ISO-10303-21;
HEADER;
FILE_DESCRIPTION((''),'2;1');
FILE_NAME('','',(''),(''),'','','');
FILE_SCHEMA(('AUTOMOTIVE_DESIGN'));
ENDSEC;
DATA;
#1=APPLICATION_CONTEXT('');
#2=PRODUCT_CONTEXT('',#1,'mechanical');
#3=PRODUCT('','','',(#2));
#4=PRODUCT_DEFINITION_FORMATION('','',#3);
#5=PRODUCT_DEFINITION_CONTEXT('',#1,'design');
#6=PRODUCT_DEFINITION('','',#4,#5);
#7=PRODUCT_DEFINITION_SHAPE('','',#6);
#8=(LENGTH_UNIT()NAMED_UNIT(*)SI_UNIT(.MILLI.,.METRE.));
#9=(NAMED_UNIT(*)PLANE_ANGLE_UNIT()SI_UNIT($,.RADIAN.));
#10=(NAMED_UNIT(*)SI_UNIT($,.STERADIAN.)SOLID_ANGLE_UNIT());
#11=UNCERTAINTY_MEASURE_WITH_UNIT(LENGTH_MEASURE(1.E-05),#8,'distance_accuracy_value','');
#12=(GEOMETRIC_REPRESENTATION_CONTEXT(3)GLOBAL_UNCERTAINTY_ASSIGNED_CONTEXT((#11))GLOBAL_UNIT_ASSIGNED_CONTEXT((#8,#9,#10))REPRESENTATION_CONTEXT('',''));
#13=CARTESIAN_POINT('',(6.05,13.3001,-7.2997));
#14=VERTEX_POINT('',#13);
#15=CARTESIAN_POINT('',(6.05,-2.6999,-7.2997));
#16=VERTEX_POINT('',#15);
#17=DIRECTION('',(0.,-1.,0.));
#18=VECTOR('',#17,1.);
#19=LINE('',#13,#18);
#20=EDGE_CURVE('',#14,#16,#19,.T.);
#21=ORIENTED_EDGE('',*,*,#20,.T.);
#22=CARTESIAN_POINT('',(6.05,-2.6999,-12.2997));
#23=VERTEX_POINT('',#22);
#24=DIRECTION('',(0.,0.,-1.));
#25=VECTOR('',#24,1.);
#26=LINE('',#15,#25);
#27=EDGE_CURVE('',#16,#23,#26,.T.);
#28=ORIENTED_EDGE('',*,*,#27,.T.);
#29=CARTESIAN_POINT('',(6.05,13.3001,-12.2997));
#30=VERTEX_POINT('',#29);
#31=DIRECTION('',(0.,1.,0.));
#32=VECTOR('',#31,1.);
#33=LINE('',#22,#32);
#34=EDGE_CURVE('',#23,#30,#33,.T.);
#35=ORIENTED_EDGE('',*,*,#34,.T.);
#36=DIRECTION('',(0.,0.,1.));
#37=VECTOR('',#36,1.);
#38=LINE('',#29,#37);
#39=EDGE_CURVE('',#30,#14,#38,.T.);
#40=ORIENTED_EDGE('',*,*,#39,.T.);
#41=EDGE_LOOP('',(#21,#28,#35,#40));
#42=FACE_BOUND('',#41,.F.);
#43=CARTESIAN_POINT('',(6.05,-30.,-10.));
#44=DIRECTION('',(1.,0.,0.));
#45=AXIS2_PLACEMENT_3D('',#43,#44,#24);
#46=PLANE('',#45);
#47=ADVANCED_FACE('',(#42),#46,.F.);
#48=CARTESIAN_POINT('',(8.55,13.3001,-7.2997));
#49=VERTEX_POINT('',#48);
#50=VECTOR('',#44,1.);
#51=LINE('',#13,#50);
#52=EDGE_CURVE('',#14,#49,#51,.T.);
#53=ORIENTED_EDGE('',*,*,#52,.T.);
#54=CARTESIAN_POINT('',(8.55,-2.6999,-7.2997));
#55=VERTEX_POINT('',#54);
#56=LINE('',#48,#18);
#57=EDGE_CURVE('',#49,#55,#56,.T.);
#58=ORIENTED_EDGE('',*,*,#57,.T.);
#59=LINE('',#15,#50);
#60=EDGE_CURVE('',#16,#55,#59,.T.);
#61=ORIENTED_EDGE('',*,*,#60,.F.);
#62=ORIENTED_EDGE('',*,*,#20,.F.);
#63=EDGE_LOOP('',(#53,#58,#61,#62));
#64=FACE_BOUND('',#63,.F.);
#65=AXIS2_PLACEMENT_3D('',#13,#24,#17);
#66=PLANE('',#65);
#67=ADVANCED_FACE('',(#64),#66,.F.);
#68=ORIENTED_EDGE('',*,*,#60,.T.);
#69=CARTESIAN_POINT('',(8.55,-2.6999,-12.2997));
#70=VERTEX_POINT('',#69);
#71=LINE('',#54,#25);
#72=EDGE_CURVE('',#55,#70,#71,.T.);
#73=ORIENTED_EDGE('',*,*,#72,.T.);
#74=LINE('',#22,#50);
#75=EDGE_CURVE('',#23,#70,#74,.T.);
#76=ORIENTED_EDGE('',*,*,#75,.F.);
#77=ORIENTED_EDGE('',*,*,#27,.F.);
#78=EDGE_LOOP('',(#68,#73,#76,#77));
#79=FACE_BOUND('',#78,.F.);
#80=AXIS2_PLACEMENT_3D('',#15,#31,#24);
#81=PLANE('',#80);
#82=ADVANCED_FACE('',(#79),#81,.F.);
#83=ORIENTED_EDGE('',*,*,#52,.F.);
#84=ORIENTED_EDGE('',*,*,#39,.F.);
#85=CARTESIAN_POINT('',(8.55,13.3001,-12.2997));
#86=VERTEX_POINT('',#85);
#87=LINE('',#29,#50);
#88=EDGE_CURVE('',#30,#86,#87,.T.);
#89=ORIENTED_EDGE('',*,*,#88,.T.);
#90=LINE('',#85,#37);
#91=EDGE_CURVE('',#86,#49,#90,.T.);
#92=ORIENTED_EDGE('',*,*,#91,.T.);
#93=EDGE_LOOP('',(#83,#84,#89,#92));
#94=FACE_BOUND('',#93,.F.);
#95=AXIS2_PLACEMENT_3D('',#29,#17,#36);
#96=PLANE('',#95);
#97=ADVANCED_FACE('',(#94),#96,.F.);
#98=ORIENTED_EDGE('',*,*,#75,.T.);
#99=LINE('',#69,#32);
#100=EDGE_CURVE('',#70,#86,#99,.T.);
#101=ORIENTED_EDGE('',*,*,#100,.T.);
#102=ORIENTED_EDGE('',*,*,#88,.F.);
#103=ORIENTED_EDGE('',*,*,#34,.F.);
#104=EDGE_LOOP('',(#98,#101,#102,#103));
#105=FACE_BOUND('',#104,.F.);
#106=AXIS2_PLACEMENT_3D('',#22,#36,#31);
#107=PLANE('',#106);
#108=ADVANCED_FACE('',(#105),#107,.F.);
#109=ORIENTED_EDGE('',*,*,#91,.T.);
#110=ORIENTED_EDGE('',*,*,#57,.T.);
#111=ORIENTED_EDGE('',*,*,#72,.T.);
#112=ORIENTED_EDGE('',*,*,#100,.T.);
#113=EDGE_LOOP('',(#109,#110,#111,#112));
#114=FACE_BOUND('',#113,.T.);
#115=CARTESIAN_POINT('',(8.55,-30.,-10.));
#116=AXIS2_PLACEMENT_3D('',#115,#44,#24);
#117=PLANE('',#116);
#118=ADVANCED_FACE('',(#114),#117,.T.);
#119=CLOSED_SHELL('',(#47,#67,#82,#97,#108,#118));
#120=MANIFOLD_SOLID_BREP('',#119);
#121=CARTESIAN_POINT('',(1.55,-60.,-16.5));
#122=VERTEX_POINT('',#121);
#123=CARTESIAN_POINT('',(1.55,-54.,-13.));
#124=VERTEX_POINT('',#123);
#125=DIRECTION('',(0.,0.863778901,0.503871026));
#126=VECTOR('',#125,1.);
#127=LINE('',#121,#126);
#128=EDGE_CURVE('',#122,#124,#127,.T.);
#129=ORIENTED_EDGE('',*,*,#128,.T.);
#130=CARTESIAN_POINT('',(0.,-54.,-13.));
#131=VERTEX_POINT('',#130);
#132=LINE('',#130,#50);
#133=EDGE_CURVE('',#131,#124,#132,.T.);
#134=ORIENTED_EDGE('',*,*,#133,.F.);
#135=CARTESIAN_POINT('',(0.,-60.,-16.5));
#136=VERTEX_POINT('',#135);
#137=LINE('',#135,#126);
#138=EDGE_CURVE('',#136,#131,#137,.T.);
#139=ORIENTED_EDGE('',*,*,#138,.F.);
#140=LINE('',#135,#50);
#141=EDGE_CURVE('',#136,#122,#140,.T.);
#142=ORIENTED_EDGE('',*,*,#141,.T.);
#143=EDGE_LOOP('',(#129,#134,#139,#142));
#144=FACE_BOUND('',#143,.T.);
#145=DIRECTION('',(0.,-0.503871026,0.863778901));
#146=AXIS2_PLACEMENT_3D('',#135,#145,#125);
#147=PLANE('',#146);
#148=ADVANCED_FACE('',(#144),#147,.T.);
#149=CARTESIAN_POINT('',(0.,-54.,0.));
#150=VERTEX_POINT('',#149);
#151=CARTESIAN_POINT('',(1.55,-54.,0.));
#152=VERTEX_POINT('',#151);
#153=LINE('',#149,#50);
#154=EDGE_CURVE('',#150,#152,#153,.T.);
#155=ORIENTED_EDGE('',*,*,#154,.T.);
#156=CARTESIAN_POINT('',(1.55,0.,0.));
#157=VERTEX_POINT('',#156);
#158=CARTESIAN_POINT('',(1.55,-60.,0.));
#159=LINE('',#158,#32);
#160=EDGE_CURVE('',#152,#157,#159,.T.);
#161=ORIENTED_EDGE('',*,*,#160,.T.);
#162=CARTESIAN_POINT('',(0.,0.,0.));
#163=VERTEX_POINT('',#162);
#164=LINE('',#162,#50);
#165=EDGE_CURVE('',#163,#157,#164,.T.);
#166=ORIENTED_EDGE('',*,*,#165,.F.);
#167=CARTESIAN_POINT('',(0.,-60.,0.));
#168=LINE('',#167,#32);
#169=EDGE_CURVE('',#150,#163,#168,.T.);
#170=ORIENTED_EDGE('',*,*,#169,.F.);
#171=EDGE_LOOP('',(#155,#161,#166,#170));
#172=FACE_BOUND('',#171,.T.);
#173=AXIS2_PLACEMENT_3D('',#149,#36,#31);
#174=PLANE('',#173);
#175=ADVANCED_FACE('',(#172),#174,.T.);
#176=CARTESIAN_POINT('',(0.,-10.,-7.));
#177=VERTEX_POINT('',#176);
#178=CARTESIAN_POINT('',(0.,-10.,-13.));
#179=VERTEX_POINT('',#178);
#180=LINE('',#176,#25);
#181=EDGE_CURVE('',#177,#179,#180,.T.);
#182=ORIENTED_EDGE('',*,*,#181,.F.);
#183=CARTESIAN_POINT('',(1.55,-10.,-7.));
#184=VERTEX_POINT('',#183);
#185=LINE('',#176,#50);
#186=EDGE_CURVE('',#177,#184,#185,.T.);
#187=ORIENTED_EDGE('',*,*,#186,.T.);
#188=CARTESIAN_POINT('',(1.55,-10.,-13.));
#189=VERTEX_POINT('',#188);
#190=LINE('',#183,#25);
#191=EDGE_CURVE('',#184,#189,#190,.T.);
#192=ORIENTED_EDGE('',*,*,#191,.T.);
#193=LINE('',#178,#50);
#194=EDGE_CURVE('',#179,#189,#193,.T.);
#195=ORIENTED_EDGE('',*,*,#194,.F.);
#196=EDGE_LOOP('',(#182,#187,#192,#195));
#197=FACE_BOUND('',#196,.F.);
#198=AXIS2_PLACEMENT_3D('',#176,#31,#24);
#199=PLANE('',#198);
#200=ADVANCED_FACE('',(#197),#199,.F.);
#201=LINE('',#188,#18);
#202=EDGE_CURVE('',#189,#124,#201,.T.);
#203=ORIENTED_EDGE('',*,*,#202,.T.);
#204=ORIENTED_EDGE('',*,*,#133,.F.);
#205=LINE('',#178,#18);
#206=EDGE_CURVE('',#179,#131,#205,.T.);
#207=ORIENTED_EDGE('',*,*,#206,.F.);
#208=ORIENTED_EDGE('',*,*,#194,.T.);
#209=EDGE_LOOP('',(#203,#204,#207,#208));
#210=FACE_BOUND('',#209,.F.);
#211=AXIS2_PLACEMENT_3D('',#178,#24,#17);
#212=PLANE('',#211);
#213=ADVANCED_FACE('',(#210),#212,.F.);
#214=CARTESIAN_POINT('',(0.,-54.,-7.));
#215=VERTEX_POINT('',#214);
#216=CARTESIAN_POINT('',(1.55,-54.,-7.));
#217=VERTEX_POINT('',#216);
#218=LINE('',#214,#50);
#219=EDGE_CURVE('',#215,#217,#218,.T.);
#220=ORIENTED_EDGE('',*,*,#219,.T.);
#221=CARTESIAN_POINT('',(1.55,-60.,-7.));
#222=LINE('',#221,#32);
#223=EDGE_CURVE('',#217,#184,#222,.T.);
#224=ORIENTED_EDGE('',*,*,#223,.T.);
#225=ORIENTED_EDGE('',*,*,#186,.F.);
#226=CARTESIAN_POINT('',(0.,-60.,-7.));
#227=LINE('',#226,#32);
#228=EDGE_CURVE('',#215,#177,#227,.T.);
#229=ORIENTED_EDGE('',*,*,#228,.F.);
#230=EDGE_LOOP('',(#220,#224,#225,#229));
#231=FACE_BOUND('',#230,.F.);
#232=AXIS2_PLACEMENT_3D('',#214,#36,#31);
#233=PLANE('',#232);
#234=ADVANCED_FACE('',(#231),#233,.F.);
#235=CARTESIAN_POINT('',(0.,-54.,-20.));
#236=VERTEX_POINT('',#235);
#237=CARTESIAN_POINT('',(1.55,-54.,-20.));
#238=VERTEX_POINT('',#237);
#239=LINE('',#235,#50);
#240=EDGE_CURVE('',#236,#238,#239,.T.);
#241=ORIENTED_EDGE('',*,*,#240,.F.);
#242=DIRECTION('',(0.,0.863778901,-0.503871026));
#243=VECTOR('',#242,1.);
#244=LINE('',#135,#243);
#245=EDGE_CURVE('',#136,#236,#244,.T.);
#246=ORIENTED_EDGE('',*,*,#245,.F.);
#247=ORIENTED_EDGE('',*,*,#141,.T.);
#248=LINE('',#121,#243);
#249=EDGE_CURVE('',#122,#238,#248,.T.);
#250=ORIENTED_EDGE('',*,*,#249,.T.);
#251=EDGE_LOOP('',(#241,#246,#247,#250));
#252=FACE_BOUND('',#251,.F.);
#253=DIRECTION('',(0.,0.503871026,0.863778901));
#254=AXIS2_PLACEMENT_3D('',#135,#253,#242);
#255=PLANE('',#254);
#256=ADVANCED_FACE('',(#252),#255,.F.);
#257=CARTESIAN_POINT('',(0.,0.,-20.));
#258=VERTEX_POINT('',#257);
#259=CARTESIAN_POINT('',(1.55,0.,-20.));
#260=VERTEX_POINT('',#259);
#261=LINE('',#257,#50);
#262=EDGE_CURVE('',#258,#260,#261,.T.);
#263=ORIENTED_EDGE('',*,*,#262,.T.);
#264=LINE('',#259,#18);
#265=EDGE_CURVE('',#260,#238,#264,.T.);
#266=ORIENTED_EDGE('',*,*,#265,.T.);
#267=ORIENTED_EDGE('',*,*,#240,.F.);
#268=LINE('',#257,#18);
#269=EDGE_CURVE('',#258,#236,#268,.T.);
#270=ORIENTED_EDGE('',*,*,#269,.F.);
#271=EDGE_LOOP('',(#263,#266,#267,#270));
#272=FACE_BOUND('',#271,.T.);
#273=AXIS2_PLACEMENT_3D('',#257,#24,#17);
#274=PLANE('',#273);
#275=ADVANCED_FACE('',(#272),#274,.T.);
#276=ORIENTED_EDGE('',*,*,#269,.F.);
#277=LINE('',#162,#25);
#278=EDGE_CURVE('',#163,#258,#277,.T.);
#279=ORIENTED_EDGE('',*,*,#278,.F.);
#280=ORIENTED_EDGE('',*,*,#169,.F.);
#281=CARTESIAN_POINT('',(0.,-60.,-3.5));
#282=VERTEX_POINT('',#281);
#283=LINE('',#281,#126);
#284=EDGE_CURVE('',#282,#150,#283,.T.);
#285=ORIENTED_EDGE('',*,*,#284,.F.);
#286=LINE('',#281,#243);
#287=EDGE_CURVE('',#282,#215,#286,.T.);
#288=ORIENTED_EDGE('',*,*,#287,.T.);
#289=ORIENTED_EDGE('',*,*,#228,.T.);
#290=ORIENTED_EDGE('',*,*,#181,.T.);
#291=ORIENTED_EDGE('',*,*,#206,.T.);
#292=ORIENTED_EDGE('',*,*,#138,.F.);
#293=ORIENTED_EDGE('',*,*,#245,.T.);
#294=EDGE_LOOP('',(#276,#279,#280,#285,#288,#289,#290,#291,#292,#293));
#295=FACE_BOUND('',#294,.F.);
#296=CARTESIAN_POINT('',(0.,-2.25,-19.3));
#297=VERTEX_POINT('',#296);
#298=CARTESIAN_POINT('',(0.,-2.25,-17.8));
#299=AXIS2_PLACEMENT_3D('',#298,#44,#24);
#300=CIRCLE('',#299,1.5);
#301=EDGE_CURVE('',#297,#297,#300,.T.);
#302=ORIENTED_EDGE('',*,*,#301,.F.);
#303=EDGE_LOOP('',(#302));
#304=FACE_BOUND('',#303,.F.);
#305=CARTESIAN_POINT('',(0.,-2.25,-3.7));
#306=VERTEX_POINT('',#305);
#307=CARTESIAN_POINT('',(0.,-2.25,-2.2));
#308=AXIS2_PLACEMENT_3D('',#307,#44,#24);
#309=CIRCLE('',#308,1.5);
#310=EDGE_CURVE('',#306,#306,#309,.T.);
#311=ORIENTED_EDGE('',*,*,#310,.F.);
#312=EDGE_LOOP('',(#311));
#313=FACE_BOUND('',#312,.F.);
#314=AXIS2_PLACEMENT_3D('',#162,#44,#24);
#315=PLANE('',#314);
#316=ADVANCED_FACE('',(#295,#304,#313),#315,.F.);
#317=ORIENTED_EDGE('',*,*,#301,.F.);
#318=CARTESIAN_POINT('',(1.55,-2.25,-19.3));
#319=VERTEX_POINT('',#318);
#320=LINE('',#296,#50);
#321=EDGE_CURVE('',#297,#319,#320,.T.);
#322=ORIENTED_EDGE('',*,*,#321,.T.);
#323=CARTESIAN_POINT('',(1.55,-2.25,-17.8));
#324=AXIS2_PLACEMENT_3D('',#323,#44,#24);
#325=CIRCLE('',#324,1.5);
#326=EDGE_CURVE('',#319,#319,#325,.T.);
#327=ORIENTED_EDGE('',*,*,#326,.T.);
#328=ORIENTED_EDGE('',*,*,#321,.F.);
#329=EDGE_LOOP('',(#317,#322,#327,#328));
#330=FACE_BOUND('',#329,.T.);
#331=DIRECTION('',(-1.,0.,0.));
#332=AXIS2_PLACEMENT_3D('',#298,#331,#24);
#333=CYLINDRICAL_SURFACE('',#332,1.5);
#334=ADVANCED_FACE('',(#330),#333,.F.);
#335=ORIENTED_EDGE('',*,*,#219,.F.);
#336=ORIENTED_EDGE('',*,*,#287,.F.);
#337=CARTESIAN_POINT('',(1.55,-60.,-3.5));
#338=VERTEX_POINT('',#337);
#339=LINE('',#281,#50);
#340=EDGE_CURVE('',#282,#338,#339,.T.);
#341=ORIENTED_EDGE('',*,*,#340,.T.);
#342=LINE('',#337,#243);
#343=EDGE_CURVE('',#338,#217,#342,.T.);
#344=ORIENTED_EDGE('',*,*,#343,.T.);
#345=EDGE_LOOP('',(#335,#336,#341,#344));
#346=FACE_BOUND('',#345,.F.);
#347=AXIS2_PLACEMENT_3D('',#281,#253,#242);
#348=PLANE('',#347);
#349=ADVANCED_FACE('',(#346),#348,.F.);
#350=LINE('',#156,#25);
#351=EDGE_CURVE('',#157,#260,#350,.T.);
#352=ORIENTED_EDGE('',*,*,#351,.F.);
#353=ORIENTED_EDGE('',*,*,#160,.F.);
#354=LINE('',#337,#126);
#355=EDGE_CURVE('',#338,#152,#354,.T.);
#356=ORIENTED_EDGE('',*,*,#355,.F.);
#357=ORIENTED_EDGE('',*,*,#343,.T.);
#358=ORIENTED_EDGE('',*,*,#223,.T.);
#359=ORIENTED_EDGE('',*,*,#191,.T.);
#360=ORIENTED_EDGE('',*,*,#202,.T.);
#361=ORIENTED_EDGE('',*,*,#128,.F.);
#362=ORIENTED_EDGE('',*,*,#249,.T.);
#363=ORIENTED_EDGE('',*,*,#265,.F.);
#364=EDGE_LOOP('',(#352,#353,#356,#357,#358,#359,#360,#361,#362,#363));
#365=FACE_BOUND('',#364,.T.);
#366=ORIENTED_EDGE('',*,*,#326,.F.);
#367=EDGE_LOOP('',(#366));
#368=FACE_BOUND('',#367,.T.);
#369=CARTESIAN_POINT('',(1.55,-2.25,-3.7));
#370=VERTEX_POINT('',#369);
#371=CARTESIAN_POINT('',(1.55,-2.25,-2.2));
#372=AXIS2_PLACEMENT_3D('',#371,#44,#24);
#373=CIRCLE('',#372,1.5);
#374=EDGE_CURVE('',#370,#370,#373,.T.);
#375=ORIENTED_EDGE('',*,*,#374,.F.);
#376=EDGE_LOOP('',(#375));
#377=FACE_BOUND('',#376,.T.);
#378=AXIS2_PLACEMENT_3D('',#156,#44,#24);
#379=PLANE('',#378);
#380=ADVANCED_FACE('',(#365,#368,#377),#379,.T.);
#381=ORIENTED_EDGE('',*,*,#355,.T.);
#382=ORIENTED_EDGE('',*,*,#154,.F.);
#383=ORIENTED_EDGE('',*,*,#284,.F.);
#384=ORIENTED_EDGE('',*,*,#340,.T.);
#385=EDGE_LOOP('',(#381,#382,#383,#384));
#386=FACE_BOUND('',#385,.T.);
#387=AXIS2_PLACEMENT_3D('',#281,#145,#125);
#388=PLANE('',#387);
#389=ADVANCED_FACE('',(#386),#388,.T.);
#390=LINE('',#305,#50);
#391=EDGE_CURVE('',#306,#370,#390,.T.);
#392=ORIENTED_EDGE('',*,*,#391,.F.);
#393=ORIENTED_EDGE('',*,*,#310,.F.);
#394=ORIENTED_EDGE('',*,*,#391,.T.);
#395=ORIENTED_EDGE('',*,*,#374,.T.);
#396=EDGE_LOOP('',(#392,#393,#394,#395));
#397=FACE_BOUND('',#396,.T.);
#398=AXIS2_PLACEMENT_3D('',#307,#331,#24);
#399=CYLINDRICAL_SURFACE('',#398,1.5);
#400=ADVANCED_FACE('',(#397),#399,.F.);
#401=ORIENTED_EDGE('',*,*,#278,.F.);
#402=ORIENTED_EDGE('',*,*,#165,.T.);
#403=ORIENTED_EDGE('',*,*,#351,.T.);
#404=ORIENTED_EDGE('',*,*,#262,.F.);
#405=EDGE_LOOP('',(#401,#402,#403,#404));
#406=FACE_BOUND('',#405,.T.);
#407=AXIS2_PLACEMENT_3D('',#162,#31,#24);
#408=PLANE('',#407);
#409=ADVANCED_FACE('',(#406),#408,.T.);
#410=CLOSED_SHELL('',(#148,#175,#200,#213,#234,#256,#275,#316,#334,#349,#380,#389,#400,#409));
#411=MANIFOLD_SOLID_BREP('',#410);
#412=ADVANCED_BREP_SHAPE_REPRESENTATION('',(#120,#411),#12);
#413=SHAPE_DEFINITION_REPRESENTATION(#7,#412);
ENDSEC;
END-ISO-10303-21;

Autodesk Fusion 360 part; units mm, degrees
sketch "Sketch1" plane through (0, 0, 0) normal (1, 0, 0) x (0, 0, -1)
  line L0 (0, 0) -> (20, 0)
  line L1 (20, 0) -> (20, -60)
  line L2 (20, -60) -> (0, -60)
  line L3 (0, -60) -> (0, 0)
  line L4 (7, -10) -> (13, -10)
  line L5 (13, -10) -> (13, -60)
  line L6 (13, -60) -> (7, -60)
  line L7 (7, -60) -> (7, -10)
  line L8 (0, -54) -> (7, -54)
  line L9 (13, -54) -> (20, -54)
  line L10 (3.5, -54) -> (3.5, -60)
  line L11 (16.5, -54) -> (16.5, -60)
  line L12 (16.5, -60) -> (13, -54)
  line L13 (16.5, -60) -> (20, -54)
  line L14 (3.5, -60) -> (0, -54)
  line L15 (3.5, -60) -> (7, -54)
  circle A0 centre (2.2, -2.25) radius 1.5
  circle A1 centre (17.8, -2.25) radius 1.5
  dimension "d46" = 60
  dimension "d47" = 20
  dimension "d48" = 6
  dimension "d49" = 50
  dimension "d51" = 3
  dimension "d52" = 2.25
  dimension "d53" = 2.2
  dimension "d54" = 3
  dimension "d55" = 2.25
  dimension "d56" = 2.2
extrude "Extrude1" add sketch "Sketch1" along normal blind 1.55 contours L0 L1 L3 L4 L5 L7 L8 L9 | L8 L10 L14 | L9 L11 L13 | L8 L10 L15 | L9 L11 L12 makes body 1
ref_plane "WorkPlane1" through (6.05, -30, -10) normal (1, 0, 0) x (0, 0, -1)
sketch "Sketch2" plane through (6.05, -30, -10) normal (1, 0, 0) x (0, 0, -1)
  line L0 (-2.7003, 27.3001) -> (2.2997, 27.3001)
  line L1 (2.2997, 27.3001) -> (2.2997, 43.3001)
  line L2 (2.2997, 43.3001) -> (-2.7003, 43.3001)
  line L3 (-2.7003, 43.3001) -> (-2.7003, 27.3001)
  dimension "d60" = 5
  dimension "d61" = 16
extrude "Extrude2" add sketch "Sketch2" along normal blind 2.5 separate body makes body 2
sketch "used for creating hole in the outer box" plane through (0, 0, 0) normal (0, 1, 0) x (-1, 0, 0)
  line L0 (0, -20) -> (0, 0)
  line L1 (0, 0) -> (-1.55, 0)
  line L2 (-1.55, 0) -> (-1.55, -20)
  line L3 (-1.55, -20) -> (0, -20)
  line L4 (-1.55, -20.5) -> (0, -20.5)
  line L5 (0, -20.5) -> (0, 0.5)
  line L6 (0, 0.5) -> (-1.55, 0.5)
  line L7 (-1.55, 0.5) -> (-1.55, -20.5)
  line L8 (0, 0) -> (0, -20)
  dimension "d181" = 0.5
  dimension "d182" = 0.5
